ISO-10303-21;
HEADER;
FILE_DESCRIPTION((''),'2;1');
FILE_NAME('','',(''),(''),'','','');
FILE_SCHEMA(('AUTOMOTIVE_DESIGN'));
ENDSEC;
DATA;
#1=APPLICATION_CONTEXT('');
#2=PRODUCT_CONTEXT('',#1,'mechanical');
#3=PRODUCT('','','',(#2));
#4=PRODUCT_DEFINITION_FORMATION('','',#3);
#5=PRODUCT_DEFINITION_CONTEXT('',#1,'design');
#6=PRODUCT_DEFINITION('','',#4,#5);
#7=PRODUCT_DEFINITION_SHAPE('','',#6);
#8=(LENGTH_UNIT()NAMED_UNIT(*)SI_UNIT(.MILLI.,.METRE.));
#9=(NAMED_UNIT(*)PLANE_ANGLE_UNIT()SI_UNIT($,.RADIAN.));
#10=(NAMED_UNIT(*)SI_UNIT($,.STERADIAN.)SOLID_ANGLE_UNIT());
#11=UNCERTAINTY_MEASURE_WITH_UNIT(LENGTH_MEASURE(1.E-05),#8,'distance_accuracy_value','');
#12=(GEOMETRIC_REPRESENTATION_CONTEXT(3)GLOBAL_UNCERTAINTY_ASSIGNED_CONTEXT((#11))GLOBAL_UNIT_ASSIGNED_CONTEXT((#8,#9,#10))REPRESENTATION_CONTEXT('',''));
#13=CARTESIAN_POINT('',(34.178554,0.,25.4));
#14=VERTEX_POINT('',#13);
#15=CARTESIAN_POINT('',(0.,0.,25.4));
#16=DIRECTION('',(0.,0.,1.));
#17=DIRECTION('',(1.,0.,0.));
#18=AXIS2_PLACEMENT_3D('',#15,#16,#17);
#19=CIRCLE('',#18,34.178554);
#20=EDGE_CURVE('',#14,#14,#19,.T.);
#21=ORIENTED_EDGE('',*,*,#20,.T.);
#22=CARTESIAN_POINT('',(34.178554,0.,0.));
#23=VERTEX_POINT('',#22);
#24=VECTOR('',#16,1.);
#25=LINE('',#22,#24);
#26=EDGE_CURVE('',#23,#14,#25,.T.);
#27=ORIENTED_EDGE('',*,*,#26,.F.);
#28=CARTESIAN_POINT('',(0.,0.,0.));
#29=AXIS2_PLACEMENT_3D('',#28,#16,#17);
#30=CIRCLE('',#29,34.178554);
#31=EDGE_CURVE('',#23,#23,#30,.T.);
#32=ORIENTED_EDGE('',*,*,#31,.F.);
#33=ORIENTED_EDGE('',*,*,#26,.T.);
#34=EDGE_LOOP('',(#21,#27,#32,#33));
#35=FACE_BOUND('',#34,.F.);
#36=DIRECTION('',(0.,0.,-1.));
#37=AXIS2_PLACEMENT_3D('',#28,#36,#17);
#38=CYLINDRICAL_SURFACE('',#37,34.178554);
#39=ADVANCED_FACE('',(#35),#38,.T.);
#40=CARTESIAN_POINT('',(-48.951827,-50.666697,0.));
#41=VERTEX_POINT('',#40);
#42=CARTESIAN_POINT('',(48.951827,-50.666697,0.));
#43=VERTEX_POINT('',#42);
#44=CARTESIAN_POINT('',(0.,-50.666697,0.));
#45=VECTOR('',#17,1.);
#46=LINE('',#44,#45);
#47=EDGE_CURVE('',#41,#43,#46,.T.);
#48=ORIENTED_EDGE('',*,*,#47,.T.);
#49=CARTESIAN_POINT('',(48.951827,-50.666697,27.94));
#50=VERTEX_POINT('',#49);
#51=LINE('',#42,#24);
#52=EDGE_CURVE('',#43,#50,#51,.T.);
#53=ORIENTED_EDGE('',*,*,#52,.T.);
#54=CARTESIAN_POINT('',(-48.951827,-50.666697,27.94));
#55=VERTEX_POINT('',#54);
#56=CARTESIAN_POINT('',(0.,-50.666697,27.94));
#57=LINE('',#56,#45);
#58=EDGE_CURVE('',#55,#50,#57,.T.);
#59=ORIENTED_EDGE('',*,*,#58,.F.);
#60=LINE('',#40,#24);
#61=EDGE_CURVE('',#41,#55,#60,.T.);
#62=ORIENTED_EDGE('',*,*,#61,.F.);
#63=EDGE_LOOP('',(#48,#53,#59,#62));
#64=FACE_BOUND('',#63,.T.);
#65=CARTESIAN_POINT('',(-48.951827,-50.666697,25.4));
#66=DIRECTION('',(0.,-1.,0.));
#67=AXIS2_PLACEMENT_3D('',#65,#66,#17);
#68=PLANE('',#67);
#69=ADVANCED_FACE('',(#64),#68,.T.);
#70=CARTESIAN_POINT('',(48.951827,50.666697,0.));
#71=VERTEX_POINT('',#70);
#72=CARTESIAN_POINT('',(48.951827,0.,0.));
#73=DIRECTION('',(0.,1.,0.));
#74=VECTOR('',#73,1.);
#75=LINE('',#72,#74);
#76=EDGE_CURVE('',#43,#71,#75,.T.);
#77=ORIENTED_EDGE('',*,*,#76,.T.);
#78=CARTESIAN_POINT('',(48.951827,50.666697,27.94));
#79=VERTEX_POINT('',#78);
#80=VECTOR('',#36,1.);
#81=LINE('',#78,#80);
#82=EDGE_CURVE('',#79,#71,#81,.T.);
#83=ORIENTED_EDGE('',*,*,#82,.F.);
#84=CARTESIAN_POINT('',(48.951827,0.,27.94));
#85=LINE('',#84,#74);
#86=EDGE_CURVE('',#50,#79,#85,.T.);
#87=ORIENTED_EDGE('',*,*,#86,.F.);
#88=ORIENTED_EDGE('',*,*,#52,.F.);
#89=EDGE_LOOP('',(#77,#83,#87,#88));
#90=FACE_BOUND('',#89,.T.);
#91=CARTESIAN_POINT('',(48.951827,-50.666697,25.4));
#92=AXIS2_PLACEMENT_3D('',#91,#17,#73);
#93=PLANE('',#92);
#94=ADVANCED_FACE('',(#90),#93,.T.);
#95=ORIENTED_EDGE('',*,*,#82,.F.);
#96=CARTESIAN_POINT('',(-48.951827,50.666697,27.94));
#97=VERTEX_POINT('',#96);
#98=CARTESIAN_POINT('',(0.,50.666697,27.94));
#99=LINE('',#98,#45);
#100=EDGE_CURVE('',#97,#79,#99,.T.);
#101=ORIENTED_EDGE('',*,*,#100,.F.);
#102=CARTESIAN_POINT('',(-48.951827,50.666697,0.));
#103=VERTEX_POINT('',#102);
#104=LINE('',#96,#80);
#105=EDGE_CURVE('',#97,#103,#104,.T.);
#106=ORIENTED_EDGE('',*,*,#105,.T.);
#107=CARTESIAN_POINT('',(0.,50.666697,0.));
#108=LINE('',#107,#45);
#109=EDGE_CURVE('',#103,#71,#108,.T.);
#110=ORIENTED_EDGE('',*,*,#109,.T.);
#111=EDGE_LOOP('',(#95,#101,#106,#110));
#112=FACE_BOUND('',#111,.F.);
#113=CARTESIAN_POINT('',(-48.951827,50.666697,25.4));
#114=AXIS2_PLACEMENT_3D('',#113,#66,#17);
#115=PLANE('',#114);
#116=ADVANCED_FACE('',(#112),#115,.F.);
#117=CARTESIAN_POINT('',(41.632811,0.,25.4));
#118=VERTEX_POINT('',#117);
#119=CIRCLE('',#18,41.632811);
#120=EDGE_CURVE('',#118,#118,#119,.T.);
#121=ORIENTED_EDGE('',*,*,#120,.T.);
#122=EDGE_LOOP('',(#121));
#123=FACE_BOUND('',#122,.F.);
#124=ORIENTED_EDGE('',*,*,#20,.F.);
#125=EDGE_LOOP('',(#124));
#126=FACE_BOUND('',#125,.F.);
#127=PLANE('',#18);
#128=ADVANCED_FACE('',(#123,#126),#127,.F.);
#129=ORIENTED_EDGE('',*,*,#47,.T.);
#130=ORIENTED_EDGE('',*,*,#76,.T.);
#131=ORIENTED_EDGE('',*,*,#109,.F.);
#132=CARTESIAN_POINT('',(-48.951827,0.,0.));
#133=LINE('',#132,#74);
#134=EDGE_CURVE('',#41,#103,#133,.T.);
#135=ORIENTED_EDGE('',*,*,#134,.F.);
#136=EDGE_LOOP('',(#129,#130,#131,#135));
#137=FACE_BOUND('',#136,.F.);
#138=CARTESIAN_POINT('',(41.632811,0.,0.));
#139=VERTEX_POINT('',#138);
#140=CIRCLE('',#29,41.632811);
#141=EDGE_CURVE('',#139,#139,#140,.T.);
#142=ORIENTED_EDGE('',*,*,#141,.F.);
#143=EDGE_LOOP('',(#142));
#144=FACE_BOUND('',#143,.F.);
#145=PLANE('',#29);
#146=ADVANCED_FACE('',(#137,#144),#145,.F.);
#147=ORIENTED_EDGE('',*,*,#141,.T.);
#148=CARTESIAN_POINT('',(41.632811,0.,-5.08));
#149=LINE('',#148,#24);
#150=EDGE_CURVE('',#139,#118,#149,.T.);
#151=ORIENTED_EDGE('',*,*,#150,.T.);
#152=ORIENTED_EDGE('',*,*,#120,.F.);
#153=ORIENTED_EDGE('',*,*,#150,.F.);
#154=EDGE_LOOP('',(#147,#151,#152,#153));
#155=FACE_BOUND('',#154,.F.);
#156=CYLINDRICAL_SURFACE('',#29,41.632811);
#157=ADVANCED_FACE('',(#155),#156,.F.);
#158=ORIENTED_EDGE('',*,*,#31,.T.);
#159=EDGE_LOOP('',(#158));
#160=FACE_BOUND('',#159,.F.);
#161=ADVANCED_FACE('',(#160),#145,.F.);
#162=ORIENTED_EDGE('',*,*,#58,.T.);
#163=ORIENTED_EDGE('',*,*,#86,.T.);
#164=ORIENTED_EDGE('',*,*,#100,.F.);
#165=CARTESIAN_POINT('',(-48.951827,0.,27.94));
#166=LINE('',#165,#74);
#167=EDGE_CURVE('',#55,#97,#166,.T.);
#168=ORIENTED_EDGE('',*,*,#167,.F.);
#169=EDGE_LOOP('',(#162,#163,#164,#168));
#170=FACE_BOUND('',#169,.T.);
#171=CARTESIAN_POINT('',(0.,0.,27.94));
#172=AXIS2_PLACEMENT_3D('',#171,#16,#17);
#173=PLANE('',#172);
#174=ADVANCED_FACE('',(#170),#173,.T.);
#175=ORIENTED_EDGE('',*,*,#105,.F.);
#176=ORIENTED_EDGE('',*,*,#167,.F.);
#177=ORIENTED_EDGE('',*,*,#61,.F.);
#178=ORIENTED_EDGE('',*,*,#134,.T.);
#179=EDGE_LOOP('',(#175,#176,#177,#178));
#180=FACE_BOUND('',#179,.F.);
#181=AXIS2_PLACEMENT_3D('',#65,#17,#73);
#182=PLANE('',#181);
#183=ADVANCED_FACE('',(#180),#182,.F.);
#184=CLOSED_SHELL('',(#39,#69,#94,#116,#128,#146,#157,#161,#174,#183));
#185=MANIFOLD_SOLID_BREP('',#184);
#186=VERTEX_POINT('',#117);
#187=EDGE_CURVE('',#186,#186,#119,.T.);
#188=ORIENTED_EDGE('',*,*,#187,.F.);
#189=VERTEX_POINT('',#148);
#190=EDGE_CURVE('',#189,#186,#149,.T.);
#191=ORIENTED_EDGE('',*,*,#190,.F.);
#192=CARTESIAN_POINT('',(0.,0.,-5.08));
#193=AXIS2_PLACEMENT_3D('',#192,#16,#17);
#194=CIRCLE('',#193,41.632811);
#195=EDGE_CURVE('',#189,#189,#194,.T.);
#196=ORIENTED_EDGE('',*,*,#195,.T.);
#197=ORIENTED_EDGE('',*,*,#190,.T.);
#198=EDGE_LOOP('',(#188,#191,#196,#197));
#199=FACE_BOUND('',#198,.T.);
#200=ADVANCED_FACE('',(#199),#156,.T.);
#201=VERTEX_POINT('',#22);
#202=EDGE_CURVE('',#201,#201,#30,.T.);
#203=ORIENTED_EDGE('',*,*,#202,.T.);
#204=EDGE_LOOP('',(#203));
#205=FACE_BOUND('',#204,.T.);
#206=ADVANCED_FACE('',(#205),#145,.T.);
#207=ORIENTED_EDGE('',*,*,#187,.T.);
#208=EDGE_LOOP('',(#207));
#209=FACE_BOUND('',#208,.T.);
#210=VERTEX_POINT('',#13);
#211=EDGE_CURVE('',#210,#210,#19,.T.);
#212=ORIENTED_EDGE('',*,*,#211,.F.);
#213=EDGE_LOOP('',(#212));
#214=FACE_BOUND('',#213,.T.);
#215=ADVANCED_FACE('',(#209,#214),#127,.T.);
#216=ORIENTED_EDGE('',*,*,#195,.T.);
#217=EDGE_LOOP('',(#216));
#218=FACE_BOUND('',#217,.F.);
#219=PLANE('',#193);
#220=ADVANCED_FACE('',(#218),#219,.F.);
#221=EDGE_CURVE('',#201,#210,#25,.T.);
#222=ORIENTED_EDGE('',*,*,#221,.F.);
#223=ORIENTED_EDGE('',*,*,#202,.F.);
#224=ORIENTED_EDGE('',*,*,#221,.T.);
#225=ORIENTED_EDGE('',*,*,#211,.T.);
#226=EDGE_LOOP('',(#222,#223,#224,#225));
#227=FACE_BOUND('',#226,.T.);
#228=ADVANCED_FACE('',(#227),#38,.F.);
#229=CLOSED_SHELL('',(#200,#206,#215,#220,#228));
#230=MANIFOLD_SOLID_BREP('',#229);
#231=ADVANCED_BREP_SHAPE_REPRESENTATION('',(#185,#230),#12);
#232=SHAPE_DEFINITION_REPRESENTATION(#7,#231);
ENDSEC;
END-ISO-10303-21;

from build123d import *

# Parameters (mm, degrees)
F0_R          = 41.632811
F0_R_2        = 34.178554
F1_DEPTH      = 25.4
F2_DEPTH      = 5.08
F3_W          = 97.903654
F3_H          = 101.333394
F3_R          = 41.632811
F3_R_2        = 34.178554
F4_DEPTH      = 2.54
F4_DEPTH_BACK = 25.4


with BuildPart() as f1:
    # F0 (on Top) → F1 (new body)
    with BuildSketch(Plane.XY):
        Circle(F0_R)
        Circle(F0_R_2, mode=Mode.SUBTRACT)
    extrude(amount=F1_DEPTH)

    # F0 (on Top) → F2 (join)
    with BuildSketch(Plane.XY):
        Circle(F0_R)
        Circle(F0_R_2, mode=Mode.SUBTRACT)
        Circle(F0_R_2)
    extrude(amount=-F2_DEPTH)


with BuildPart() as f4:
    # F3 (on face) → F4 (new body, two sides)
    with BuildSketch(Plane.XY.offset(25.4)) as f4_sk:
        Rectangle(F3_W, F3_H)
        Circle(F3_R, mode=Mode.SUBTRACT)
        Circle(F3_R)
        Circle(F3_R_2, mode=Mode.SUBTRACT)
        Circle(F3_R_2)
    extrude(amount=F4_DEPTH)
    extrude(f4_sk.sketch, amount=-F4_DEPTH_BACK)

    # F5: cut F1
    add(f1.part, mode=Mode.SUBTRACT)


solid = Compound([f1.part, f4.part])
